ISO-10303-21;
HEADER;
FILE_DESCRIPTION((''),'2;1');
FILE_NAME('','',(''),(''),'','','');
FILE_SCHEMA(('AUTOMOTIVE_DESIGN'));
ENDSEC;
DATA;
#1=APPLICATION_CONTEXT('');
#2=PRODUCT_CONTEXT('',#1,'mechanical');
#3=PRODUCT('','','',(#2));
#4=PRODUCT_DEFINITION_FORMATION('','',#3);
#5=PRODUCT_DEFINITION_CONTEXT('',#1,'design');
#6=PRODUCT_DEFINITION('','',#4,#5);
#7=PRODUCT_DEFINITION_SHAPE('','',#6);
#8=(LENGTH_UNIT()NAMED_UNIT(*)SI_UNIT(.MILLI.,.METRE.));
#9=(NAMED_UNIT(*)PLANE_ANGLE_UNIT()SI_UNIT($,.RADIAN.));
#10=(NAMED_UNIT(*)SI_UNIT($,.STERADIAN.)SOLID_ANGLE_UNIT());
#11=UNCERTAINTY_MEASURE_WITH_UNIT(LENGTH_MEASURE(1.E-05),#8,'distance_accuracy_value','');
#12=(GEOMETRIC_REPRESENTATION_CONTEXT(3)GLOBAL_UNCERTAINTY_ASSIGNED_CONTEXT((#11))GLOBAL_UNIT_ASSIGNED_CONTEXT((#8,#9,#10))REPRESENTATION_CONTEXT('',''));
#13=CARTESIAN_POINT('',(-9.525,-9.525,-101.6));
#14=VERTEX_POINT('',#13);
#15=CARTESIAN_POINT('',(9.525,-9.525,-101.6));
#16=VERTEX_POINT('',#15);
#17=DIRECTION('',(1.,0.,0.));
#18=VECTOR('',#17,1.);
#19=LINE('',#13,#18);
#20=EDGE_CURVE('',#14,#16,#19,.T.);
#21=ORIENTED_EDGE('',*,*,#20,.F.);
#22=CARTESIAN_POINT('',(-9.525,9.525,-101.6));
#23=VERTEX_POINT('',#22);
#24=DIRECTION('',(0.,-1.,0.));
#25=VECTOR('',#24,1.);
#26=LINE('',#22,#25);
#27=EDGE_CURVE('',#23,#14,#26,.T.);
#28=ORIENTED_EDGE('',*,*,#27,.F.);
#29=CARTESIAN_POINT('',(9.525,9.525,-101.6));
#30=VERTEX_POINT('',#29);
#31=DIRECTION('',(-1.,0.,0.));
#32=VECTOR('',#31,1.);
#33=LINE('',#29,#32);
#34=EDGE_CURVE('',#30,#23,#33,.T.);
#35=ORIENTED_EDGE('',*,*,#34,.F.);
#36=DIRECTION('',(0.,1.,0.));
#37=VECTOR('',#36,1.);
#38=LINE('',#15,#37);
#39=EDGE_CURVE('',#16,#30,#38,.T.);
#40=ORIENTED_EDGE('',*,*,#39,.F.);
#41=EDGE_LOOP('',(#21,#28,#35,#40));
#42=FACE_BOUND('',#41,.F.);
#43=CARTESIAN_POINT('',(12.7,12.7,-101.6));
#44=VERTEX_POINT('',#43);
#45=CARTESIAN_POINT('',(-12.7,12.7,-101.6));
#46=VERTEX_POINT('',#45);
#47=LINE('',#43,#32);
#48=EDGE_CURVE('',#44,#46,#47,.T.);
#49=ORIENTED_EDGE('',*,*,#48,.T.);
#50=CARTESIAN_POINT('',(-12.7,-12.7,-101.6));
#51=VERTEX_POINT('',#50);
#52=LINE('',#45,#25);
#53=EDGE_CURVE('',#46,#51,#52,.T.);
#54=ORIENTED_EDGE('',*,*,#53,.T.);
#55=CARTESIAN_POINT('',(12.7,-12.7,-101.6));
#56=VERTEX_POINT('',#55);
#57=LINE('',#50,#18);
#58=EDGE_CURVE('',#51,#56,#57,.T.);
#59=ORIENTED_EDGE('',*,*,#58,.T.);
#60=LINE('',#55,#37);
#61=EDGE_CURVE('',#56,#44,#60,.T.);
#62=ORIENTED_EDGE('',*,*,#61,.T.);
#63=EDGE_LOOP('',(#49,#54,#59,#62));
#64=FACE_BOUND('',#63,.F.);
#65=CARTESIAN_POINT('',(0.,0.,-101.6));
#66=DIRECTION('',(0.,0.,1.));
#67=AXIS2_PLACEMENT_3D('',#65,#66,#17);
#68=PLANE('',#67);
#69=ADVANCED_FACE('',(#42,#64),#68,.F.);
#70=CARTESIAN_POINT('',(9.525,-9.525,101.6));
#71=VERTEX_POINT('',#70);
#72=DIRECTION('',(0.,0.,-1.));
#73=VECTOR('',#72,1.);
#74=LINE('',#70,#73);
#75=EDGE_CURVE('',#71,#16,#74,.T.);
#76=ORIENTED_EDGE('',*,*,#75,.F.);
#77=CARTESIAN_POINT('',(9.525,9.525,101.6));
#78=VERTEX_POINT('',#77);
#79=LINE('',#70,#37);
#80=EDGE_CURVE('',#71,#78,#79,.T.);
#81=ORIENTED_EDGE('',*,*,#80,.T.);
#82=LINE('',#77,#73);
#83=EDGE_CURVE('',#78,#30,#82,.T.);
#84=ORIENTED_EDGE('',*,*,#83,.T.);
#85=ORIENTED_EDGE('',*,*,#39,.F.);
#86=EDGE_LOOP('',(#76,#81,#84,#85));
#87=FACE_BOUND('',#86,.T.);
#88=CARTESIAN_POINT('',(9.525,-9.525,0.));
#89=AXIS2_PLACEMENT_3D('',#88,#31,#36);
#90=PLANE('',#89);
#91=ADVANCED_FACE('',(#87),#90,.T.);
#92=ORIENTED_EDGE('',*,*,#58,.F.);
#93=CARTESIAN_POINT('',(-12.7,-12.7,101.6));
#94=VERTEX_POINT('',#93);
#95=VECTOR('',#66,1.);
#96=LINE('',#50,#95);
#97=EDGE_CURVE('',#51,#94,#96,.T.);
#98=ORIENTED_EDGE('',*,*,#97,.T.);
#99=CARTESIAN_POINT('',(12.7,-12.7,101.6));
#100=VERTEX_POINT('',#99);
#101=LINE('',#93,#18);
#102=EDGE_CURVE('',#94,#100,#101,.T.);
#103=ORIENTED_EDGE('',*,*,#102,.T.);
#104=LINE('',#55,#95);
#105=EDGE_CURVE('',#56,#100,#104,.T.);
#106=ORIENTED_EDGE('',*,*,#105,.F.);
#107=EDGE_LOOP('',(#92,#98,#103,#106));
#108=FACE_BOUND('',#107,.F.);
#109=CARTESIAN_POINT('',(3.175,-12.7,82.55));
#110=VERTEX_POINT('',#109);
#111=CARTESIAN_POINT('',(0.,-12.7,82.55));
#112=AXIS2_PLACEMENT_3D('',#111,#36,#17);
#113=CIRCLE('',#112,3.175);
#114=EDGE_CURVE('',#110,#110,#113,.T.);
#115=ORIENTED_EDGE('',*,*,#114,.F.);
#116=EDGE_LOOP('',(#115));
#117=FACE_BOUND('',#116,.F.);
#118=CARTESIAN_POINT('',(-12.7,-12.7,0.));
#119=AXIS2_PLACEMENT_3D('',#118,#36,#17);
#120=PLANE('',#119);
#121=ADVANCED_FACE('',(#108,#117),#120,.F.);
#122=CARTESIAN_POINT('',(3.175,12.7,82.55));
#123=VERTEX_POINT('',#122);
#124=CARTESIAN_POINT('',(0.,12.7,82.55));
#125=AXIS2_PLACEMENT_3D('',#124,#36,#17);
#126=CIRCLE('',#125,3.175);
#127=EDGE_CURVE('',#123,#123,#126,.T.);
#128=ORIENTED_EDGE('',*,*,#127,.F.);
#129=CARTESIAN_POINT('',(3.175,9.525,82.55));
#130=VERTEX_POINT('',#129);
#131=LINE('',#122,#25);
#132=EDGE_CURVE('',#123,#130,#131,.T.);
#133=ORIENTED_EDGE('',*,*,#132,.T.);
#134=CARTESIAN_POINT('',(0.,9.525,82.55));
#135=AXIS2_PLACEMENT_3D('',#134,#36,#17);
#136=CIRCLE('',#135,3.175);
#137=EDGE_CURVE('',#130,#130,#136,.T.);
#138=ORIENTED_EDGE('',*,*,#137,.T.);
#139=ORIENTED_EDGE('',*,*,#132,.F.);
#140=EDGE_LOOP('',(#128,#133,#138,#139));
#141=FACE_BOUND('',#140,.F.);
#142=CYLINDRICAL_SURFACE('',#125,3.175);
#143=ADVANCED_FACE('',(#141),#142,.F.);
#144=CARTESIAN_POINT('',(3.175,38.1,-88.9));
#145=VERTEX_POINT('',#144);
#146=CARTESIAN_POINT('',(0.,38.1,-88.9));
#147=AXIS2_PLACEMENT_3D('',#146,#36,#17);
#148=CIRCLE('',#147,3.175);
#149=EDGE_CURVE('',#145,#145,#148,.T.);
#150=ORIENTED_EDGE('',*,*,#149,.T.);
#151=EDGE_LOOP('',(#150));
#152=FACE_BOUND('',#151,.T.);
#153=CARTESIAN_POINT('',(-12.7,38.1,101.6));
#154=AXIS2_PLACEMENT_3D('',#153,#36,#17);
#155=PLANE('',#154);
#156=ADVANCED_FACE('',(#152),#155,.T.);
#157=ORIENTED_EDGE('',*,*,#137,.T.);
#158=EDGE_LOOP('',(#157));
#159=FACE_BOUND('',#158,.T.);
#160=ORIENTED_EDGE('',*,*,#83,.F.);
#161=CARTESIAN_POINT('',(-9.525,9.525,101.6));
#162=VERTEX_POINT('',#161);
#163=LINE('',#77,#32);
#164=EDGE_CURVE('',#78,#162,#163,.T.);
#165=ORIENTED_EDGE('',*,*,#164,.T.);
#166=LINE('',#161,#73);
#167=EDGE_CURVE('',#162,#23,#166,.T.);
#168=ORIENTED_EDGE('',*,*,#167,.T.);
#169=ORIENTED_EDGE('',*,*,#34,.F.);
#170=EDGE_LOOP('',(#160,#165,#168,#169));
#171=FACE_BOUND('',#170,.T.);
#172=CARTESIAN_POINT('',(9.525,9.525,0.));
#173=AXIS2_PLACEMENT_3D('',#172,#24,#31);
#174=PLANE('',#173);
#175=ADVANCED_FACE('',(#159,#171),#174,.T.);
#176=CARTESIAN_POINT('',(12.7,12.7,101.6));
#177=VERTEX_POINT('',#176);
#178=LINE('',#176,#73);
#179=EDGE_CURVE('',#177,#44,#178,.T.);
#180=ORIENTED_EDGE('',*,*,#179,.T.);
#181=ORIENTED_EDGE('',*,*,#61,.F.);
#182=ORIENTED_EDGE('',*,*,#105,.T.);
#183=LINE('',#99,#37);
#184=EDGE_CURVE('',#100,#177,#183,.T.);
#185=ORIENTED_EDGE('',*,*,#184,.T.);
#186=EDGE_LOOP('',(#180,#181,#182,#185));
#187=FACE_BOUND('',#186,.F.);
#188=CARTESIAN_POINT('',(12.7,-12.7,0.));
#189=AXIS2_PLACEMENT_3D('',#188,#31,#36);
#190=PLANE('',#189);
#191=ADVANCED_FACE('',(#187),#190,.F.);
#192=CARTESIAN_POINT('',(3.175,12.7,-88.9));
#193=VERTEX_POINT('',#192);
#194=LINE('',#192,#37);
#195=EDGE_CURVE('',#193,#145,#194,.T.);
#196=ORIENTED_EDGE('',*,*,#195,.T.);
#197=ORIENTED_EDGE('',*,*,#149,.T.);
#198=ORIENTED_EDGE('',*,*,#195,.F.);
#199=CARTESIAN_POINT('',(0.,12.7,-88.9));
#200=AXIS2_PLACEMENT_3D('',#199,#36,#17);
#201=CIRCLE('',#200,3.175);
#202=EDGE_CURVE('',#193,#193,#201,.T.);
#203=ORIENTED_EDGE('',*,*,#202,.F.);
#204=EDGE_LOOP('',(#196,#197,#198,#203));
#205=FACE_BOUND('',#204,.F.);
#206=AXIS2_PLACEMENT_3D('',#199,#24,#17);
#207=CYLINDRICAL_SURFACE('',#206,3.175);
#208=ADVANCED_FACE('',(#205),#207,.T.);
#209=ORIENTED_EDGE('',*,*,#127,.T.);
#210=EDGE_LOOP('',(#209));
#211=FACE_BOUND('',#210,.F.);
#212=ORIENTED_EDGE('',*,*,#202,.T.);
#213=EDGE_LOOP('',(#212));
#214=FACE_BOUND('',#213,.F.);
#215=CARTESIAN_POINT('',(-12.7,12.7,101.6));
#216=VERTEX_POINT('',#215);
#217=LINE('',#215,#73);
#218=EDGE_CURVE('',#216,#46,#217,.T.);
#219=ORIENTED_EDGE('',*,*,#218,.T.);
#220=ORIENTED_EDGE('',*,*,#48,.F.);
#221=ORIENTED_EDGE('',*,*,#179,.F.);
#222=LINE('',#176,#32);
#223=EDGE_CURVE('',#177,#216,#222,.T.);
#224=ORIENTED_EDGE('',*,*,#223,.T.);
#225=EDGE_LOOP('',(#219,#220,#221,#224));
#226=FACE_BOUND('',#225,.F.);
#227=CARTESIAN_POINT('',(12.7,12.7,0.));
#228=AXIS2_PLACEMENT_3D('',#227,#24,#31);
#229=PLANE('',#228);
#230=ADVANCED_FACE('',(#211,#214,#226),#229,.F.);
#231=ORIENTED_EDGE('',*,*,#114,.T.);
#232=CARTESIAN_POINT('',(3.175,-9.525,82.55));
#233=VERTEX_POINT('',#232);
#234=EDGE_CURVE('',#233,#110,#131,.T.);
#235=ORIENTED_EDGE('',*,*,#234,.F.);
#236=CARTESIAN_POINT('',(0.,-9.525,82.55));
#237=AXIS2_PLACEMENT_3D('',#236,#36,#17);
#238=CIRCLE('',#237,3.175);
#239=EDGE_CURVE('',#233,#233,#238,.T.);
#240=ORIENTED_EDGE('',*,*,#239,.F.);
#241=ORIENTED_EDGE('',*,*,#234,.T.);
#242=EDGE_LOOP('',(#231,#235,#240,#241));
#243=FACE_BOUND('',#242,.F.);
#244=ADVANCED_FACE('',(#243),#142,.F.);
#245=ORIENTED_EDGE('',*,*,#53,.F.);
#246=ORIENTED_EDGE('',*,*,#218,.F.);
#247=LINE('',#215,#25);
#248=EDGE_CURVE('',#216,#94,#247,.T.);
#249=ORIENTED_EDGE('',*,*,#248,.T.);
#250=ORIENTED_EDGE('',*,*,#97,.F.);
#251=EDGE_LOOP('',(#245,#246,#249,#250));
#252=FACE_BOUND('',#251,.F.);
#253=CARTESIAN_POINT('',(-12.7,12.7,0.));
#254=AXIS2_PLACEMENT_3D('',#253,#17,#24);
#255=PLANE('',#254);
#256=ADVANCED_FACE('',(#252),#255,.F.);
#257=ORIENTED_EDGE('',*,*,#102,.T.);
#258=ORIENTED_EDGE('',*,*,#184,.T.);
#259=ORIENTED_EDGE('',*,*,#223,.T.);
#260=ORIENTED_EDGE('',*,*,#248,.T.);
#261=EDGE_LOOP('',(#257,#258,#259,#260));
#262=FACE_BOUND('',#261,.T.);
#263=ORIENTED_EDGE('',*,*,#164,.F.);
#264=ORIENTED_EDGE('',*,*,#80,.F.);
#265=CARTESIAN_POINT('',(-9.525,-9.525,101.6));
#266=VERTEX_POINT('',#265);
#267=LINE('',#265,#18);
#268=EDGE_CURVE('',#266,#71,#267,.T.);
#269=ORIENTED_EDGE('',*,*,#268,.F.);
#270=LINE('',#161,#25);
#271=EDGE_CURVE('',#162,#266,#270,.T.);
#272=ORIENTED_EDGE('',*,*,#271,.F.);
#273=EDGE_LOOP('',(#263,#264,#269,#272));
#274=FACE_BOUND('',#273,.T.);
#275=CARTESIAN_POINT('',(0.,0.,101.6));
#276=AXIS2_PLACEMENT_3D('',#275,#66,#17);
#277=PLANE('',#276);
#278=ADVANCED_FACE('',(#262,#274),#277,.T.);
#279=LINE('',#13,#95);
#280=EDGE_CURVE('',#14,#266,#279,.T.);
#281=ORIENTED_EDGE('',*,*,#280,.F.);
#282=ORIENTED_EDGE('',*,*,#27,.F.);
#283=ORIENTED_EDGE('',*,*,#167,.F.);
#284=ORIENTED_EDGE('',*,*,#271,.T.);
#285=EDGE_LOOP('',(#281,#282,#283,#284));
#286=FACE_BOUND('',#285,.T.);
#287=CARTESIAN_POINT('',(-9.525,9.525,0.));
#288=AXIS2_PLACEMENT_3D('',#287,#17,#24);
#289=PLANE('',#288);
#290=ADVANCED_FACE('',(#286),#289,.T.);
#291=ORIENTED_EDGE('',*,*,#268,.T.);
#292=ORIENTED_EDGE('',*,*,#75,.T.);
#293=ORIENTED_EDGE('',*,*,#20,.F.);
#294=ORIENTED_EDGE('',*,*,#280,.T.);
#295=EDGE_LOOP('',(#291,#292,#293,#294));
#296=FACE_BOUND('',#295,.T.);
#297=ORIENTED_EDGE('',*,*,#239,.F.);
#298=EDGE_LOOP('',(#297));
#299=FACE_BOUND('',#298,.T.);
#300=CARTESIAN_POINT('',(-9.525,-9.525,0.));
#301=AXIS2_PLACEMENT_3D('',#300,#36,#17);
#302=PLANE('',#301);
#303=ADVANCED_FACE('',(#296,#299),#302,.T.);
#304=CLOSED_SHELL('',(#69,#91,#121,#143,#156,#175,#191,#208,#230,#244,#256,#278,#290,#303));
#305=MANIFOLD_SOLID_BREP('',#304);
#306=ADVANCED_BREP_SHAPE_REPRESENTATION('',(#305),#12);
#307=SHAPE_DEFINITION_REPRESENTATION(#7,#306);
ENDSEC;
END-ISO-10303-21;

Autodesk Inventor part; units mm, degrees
ref_plane "YZ Plane" through (0, 0, 0) normal (1, 0, 0) x (0, 1, 0)
ref_plane "XZ Plane" through (0, 0, 0) normal (0, 1, 0) x (-1, 0, 0)
ref_plane "XY Plane" through (0, 0, 0) normal (0, 0, 1) x (1, 0, 0)
sketch "Sketch1" plane through (0, 0, 0) normal (0, 0, 1) x (1, 0, 0)
  line L0 (-12.7, -12.7) -> (12.7, -12.7)
  line L1 (12.7, -12.7) -> (12.7, 12.7)
  line L2 (12.7, 12.7) -> (-12.7, 12.7)
  line L3 (-12.7, 12.7) -> (-12.7, -12.7)
  line L4 (-12.7, -12.7) -> (12.7, 12.7) construction
  line L5 (12.7, -12.7) -> (-12.7, 12.7) construction
  line L6 (-9.525, -9.525) -> (9.525, -9.525)
  line L7 (9.525, -9.525) -> (9.525, 9.525)
  line L8 (9.525, 9.525) -> (-9.525, 9.525)
  line L9 (-9.525, 9.525) -> (-9.525, -9.525)
  line L10 (-9.525, -9.525) -> (9.525, 9.525) construction
  line L11 (9.525, -9.525) -> (-9.525, 9.525) construction
  point P0 (0, 0)
  dimension "d0" = 3.175
  dimension "d1" = 25.4
extrude "Extrusion1" add sketch "Sketch1" along normal mid plane 203.2
sketch "Sketch2" plane through (-12.7, 12.7, 101.6) normal (0, 1, 0) x (1, 0, 0)
  line L0 (0, 203.2) -> (25.4, 203.2) construction
  line L1 (12.7, 203.2) -> (12.7, 0) construction
  line L2 (22.225, 0) -> (3.175, 0) construction
  circle A0 centre (12.7, 19.05) radius 3.175
  line L3 (25.4, 0) -> (0, 0) projected
  point P0 (12.7, 101.6)
  dimension "d4" = 6.35
  dimension "d5" = 19.05
extrude "Extrusion2" cut sketch "Sketch2" against normal through all
sketch "Sketch3" plane through (-12.7, 12.7, 101.6) normal (0, 1, 0) x (1, 0, 0)
  line L0 (0, 203.2) -> (25.4, 203.2) construction
  line L1 (12.7, 203.2) -> (12.7, 0) construction
  line L2 (25.4, 0) -> (0, 0) construction
  circle A0 centre (12.7, 190.5) radius 3.175
  point P0 (12.7, 101.6)
  dimension "d8" = 6.35
  dimension "d9" = 12.7
extrude "Extrusion3" add sketch "Sketch3" along normal blind 25.4
properties part number "1x1x8 Rectangular Tubing"
